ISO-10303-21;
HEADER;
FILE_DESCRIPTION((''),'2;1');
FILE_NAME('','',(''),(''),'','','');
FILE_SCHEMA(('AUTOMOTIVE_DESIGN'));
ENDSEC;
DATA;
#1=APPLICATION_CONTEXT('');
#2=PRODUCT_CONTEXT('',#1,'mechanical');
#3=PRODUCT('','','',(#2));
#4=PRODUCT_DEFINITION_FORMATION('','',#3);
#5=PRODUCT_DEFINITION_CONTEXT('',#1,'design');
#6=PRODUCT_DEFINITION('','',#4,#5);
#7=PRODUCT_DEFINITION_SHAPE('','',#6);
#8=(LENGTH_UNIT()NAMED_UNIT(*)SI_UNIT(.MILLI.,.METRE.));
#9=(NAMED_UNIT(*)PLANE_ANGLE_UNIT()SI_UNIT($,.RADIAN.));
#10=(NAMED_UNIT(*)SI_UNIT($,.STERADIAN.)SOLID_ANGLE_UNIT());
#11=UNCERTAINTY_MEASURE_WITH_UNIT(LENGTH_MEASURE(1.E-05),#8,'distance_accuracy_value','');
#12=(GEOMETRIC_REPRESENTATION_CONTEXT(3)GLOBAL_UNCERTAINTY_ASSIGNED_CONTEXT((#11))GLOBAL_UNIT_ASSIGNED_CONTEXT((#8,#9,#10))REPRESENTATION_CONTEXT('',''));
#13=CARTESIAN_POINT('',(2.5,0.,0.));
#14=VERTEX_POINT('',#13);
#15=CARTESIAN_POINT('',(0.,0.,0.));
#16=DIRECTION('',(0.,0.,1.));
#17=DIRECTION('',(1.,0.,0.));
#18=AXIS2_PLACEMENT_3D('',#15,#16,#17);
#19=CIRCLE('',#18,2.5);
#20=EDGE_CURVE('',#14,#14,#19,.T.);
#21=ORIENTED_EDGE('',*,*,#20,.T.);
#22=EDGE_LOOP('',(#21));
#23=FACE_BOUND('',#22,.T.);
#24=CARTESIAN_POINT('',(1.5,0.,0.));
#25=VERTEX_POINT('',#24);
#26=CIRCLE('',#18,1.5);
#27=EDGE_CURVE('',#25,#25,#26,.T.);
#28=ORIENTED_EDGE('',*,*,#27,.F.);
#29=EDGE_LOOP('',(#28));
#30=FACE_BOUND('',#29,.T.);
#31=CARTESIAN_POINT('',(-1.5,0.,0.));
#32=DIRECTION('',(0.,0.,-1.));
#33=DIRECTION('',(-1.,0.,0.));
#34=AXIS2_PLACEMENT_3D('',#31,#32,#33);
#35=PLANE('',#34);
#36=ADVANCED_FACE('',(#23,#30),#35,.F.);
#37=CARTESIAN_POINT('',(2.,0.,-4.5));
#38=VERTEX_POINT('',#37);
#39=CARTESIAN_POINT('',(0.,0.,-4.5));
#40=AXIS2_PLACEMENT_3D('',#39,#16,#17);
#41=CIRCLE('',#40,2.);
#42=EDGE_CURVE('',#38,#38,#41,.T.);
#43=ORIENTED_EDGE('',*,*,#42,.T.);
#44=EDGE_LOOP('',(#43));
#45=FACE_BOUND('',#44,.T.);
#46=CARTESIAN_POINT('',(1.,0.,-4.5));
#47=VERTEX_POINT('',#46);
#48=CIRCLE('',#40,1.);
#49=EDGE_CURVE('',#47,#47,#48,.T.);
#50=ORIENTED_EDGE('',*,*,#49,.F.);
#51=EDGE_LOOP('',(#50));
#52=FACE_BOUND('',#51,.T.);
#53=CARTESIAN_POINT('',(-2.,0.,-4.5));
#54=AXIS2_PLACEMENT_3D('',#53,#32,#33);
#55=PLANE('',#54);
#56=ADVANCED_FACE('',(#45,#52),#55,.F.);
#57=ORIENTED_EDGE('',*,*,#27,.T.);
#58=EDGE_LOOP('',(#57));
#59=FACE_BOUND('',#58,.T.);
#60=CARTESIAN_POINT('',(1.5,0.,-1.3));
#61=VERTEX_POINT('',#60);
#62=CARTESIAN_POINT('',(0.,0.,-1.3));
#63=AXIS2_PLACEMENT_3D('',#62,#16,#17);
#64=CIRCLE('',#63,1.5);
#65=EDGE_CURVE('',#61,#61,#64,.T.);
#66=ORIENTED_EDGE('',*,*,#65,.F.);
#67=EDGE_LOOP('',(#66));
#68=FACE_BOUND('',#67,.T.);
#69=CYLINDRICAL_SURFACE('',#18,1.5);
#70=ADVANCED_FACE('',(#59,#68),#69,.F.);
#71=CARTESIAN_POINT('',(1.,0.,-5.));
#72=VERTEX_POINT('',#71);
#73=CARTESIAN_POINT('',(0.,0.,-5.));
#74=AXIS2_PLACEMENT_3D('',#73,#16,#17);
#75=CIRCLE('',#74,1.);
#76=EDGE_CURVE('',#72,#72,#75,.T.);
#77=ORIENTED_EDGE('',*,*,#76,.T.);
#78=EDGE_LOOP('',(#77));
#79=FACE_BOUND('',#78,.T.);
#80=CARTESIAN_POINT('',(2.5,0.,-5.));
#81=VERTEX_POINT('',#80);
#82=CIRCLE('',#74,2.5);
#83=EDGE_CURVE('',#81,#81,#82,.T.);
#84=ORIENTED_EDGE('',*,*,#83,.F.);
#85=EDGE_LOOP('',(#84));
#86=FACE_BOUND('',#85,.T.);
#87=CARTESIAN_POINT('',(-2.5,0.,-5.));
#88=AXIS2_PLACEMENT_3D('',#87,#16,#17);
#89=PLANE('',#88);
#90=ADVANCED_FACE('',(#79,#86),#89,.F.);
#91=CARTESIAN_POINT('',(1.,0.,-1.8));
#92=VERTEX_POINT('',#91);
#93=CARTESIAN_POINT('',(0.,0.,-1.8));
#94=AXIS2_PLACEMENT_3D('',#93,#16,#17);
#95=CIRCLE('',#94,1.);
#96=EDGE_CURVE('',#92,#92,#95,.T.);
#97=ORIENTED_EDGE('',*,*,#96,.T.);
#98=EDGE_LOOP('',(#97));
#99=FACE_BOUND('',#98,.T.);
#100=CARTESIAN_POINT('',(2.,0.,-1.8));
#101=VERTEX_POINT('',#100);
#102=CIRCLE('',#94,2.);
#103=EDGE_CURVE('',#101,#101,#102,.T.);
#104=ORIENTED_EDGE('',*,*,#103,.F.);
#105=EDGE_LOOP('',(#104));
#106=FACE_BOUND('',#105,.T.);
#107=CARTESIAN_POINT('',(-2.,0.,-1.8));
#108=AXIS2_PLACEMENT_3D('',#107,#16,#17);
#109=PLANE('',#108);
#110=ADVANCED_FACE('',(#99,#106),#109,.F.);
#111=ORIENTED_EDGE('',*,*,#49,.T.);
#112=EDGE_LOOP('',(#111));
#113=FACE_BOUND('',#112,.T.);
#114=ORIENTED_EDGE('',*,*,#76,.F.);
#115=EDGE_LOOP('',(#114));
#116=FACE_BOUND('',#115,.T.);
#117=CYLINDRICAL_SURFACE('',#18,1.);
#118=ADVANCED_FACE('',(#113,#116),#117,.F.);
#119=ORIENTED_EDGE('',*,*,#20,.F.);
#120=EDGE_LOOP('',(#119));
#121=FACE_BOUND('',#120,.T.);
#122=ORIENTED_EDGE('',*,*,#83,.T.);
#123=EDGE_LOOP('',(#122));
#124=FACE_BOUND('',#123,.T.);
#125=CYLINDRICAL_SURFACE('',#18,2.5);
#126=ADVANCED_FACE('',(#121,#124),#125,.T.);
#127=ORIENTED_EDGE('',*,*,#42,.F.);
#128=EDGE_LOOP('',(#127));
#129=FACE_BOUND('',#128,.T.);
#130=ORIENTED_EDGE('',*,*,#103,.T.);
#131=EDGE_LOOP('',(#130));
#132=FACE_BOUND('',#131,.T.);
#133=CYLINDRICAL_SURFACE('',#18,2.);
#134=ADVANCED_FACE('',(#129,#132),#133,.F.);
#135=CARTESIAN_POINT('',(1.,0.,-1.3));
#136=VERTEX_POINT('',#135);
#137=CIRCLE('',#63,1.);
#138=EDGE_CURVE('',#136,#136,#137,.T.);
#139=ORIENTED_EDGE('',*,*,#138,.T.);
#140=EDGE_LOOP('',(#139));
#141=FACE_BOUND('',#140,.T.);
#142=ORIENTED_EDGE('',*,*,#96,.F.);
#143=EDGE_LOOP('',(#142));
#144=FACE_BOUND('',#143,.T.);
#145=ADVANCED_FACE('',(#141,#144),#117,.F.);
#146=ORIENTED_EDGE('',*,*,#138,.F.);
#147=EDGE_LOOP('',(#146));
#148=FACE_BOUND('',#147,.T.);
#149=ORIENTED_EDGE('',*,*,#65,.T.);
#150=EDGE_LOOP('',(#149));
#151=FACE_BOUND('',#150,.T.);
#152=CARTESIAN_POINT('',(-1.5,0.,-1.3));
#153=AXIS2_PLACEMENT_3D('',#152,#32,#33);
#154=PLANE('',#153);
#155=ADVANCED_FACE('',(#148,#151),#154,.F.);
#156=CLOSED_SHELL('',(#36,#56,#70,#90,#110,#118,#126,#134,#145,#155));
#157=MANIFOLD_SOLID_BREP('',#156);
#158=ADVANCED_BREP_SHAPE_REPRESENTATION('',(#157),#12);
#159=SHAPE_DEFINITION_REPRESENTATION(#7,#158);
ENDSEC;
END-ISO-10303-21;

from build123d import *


with BuildPart() as part:
    # Croquis2 → Revolución1 (revolve)
    with BuildSketch(Plane(origin=(0, 0, 0), x_dir=(1, 0, 0), z_dir=(0, 1, 0))):
        Polygon((-1.5, 0), (-2.5, 0), (-2.5, 5), (-1, 5), (-1, 4.5), (-2, 4.5), (-2, 1.8), (-1, 1.8), (-1, 1.3), (-1.5, 1.3), align=None)
    revolve(axis=Axis((0, 0, 0), (0, 0, -1)))


solid = part.part
